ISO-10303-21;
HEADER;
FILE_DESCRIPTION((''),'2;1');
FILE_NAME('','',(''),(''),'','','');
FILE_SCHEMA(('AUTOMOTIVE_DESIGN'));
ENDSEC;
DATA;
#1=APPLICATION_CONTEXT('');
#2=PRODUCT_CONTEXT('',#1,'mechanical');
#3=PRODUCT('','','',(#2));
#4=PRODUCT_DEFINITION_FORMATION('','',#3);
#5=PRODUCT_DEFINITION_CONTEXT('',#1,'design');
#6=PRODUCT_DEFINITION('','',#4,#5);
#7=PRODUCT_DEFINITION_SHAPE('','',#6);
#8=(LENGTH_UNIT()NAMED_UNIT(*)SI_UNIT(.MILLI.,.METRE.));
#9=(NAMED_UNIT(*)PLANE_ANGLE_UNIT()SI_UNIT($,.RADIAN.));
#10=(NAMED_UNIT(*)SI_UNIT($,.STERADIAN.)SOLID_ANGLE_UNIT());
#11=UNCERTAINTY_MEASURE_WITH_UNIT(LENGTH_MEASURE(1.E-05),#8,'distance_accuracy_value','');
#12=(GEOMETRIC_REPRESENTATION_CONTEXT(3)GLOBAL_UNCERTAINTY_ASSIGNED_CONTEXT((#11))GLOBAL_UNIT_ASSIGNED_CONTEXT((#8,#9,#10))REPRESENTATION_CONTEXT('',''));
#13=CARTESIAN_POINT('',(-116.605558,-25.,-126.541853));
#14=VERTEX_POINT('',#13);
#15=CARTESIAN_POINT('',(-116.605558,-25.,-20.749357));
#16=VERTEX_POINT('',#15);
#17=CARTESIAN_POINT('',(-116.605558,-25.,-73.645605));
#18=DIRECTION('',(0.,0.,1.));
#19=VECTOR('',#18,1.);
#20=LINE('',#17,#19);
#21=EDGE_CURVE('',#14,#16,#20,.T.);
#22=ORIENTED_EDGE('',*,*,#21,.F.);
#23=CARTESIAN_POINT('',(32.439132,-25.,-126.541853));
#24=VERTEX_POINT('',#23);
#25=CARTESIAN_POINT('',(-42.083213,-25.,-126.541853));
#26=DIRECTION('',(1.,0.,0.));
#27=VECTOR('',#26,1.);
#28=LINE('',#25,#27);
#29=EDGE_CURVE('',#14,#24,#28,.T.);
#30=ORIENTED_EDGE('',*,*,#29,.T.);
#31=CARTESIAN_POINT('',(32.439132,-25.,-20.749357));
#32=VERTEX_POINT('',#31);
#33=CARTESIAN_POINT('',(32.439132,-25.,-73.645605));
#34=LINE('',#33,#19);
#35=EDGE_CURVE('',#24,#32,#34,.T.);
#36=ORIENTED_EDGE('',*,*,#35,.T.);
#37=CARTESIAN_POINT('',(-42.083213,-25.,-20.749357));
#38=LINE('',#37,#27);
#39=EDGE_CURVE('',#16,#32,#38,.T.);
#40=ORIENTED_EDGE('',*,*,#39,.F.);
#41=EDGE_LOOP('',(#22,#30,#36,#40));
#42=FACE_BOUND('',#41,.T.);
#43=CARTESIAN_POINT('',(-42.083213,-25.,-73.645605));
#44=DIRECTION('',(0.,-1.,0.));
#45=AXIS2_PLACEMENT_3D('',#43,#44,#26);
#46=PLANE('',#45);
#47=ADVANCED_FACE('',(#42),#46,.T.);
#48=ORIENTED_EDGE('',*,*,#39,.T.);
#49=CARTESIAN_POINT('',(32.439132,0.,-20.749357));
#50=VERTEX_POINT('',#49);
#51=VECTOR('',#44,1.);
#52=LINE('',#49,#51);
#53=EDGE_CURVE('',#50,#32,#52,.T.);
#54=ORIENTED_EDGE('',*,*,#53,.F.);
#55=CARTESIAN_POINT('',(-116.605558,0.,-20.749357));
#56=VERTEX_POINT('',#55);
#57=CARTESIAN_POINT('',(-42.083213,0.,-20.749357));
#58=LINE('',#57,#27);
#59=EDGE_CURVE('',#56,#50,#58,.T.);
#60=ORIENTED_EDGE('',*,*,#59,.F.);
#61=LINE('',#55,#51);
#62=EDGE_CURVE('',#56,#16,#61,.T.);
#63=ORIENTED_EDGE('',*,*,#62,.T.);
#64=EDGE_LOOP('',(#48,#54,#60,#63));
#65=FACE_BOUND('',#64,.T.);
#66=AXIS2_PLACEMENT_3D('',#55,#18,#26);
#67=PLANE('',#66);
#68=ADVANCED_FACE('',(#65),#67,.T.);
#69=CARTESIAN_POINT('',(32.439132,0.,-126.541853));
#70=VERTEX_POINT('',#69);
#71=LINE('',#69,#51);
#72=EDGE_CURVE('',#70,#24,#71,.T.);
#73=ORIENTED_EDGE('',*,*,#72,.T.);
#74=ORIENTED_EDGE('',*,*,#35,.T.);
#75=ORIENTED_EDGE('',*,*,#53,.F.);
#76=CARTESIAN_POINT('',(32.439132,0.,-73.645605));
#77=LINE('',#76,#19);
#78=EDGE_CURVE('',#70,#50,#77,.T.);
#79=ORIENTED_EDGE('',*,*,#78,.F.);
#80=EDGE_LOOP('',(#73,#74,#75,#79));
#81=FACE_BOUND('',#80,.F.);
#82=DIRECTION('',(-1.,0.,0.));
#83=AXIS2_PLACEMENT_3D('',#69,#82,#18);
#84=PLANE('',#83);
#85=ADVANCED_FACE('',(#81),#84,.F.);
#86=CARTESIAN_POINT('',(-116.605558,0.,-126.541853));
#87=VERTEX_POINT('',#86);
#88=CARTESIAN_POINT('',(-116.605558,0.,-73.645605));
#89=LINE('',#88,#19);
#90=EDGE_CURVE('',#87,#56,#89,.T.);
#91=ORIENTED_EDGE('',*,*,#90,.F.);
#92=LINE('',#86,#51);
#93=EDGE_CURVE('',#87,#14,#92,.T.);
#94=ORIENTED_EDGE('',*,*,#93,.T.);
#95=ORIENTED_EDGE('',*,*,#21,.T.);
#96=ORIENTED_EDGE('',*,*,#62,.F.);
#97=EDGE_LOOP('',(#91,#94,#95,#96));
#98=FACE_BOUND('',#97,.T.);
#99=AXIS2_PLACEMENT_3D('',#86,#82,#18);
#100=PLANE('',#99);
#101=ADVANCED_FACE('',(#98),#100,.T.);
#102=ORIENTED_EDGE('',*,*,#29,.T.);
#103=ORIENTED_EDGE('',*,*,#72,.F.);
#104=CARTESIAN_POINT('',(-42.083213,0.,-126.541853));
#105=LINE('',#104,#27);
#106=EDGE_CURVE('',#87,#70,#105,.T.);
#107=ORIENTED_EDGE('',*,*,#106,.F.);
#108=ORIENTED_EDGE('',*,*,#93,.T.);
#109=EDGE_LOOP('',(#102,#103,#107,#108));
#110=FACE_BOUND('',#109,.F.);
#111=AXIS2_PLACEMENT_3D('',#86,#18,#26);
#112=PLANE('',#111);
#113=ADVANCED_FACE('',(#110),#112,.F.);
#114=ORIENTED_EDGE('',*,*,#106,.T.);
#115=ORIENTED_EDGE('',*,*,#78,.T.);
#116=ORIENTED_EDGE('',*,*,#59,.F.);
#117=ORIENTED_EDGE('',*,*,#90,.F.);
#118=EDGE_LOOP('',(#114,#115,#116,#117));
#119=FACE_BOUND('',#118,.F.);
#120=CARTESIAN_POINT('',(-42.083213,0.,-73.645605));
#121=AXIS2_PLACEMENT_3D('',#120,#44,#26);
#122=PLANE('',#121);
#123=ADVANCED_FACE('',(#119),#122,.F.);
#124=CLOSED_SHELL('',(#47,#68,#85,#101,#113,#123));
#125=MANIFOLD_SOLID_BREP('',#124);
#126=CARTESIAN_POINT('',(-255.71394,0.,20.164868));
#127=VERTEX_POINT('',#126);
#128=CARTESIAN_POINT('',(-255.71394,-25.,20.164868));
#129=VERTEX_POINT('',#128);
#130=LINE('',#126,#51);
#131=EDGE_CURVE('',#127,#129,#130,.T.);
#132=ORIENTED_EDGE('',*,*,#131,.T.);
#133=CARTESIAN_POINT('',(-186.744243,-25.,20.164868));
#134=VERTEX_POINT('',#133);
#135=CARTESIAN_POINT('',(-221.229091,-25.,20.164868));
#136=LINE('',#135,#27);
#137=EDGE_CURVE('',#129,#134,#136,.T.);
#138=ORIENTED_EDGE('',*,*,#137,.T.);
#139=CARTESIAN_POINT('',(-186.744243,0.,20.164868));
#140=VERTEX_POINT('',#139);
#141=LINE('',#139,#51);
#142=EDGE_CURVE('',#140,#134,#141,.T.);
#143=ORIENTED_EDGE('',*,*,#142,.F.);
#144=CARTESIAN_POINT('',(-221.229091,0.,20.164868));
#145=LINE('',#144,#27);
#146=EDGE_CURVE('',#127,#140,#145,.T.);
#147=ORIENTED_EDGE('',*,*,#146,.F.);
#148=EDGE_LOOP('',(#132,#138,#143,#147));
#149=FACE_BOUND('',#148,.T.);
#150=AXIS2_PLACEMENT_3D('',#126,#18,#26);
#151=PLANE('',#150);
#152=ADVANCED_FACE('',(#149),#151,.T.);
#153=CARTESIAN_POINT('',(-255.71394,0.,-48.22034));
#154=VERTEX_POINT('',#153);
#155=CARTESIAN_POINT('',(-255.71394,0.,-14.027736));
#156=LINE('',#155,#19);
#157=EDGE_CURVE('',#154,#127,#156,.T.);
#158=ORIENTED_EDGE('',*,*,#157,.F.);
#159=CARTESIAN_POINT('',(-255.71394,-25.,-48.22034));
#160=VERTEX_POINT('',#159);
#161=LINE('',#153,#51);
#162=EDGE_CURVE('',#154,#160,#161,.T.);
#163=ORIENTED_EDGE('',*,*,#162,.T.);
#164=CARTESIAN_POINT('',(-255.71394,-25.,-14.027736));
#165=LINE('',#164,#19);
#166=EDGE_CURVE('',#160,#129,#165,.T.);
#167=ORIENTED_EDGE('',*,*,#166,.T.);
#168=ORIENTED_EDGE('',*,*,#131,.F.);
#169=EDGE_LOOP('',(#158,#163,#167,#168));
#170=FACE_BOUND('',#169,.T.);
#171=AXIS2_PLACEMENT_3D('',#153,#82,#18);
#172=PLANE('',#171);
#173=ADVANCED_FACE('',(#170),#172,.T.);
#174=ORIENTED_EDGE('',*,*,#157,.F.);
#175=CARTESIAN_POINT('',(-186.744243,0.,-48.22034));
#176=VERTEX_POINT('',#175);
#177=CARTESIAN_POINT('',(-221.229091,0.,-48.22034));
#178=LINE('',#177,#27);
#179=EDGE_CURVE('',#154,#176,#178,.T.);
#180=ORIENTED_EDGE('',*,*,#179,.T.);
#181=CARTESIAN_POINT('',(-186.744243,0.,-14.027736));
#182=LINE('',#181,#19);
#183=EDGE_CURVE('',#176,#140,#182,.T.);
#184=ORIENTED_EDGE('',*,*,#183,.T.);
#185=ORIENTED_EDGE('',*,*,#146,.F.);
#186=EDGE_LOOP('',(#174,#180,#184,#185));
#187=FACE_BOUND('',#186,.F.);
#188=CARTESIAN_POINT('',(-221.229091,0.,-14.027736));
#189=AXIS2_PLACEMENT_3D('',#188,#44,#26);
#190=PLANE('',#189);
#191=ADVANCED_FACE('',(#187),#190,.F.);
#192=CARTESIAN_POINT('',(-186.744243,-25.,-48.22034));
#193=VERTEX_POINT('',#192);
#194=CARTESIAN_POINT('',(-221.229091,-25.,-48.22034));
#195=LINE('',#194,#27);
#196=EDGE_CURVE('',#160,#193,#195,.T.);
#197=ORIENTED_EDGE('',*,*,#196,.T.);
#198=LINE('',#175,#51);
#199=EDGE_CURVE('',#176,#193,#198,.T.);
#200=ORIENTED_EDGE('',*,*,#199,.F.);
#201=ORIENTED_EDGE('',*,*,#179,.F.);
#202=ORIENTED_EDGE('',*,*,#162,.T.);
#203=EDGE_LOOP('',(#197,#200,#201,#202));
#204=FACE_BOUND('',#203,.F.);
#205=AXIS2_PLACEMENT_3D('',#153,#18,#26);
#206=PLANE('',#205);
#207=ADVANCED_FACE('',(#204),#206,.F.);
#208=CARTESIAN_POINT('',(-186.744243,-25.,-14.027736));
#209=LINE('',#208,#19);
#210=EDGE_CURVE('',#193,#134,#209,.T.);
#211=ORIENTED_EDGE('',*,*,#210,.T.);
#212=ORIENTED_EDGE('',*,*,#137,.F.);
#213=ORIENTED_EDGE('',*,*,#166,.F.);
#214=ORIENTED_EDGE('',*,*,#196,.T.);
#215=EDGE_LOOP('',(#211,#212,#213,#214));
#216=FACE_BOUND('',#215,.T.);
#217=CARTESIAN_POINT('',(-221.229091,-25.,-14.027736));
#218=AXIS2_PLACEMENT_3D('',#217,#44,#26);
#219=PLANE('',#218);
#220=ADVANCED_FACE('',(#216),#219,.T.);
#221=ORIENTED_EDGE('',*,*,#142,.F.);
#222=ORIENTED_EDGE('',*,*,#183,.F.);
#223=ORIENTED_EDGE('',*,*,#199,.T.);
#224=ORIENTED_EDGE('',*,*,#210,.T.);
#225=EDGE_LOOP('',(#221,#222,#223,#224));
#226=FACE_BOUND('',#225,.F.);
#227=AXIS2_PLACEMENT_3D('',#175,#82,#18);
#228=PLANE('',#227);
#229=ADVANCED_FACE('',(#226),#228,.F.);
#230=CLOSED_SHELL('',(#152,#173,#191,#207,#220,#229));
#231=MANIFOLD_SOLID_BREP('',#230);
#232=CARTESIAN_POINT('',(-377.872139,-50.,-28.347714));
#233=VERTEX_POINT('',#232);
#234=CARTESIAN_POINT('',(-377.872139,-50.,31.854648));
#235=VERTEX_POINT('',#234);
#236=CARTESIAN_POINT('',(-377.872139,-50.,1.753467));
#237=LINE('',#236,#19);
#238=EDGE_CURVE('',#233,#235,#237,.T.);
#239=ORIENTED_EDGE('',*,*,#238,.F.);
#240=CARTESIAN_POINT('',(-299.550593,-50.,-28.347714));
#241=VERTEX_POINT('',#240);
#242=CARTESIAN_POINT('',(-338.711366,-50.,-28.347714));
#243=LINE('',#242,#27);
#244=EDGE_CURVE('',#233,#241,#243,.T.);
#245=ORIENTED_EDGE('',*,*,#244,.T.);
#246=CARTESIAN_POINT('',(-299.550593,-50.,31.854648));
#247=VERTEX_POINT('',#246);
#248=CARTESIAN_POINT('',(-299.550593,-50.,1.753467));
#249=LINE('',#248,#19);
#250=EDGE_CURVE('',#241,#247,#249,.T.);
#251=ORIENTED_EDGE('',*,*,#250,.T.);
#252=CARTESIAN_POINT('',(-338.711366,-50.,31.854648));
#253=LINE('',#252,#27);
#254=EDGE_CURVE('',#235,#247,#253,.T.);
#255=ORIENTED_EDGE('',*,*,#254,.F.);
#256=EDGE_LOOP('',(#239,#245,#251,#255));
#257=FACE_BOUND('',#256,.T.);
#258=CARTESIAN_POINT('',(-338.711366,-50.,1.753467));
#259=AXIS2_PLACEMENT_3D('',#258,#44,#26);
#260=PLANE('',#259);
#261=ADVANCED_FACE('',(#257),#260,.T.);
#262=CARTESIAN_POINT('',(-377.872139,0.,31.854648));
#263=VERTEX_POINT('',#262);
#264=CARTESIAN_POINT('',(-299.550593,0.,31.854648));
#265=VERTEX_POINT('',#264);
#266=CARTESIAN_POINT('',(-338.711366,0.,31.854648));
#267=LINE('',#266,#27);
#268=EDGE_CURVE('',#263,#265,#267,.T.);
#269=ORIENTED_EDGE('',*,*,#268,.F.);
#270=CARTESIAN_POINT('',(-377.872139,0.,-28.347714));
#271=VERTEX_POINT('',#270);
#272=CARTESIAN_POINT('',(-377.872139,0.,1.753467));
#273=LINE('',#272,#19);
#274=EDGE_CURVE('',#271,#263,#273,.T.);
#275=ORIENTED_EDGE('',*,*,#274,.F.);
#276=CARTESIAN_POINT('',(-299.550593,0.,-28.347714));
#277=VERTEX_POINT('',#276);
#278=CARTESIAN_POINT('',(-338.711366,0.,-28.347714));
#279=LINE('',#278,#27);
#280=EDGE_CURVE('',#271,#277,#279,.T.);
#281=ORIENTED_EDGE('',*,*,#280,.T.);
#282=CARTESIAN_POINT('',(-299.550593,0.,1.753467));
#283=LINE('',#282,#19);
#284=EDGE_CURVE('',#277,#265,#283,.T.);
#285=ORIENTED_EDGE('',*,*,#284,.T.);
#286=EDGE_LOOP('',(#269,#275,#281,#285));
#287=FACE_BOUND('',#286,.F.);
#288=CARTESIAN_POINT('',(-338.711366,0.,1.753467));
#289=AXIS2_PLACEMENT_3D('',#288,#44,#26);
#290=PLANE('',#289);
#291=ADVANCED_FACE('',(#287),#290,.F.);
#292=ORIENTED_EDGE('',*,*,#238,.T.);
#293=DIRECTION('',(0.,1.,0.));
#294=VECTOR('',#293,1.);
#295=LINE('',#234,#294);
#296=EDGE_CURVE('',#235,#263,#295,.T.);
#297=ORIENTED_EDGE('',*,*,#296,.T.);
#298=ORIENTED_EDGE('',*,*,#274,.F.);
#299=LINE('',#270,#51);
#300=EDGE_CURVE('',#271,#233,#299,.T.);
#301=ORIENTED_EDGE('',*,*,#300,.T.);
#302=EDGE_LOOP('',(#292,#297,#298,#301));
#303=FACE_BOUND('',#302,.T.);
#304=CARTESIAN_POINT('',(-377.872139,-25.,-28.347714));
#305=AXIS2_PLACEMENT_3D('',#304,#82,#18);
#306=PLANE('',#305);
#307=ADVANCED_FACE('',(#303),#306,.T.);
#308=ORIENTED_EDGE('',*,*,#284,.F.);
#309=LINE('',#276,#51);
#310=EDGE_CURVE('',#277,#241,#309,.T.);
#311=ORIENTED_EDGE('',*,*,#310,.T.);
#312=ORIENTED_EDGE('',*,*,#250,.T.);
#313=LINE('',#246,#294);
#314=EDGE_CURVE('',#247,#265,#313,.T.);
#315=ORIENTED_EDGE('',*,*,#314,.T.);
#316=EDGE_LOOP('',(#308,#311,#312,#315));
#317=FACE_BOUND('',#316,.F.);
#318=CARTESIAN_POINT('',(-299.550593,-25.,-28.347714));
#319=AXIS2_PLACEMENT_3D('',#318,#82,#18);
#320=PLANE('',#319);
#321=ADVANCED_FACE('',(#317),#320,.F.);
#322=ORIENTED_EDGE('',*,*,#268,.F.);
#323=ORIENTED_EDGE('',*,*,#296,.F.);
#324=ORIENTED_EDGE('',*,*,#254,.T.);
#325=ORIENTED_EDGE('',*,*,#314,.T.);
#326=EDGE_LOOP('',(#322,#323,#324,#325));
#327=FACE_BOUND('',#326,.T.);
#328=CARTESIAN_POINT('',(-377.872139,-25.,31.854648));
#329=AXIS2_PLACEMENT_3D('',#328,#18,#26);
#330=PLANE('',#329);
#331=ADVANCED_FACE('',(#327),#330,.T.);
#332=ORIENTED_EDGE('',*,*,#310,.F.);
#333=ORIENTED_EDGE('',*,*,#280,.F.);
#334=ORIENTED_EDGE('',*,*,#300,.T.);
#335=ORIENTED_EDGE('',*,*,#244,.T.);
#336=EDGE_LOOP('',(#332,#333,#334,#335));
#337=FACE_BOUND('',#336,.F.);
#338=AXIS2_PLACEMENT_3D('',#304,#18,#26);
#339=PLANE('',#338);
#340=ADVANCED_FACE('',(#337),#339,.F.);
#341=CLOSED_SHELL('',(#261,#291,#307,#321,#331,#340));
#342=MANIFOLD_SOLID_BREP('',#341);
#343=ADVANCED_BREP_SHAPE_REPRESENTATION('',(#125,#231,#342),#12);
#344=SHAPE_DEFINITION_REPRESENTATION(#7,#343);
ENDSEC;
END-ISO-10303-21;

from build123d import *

# Parameters (mm, degrees)
F0_W      = 78.321546
F0_H      = 60.202362
F0_W_2    = 68.969697
F0_H_2    = 68.385208
F0_W_3    = 149.044689
F0_H_3    = 105.792495
F1_DEPTH  = 25
F1_FACE_W = 78.321546
F1_FACE_H = 60.202362
F2_DEPTH  = 25


with BuildPart() as f1:
    # F0 (on Front) → F1 (new body)
    with BuildSketch(Plane.XZ):
        with Locations((-338.711366, 1.753467)):
            Rectangle(F0_W, F0_H)
        with Locations((-221.229091, -14.027736)):
            Rectangle(F0_W_2, F0_H_2)
        with Locations((-42.083213, -73.645605)):
            Rectangle(F0_W_3, F0_H_3)
    extrude(amount=F1_DEPTH)

    # F1_face (on face) → F2 (join)
    with BuildSketch(Plane(origin=(-338.711366, -25, 1.753467), x_dir=(1, 0, 0), z_dir=(0, -1, 0))):
        Rectangle(F1_FACE_W, F1_FACE_H)
    extrude(amount=F2_DEPTH)


solid = f1.part
